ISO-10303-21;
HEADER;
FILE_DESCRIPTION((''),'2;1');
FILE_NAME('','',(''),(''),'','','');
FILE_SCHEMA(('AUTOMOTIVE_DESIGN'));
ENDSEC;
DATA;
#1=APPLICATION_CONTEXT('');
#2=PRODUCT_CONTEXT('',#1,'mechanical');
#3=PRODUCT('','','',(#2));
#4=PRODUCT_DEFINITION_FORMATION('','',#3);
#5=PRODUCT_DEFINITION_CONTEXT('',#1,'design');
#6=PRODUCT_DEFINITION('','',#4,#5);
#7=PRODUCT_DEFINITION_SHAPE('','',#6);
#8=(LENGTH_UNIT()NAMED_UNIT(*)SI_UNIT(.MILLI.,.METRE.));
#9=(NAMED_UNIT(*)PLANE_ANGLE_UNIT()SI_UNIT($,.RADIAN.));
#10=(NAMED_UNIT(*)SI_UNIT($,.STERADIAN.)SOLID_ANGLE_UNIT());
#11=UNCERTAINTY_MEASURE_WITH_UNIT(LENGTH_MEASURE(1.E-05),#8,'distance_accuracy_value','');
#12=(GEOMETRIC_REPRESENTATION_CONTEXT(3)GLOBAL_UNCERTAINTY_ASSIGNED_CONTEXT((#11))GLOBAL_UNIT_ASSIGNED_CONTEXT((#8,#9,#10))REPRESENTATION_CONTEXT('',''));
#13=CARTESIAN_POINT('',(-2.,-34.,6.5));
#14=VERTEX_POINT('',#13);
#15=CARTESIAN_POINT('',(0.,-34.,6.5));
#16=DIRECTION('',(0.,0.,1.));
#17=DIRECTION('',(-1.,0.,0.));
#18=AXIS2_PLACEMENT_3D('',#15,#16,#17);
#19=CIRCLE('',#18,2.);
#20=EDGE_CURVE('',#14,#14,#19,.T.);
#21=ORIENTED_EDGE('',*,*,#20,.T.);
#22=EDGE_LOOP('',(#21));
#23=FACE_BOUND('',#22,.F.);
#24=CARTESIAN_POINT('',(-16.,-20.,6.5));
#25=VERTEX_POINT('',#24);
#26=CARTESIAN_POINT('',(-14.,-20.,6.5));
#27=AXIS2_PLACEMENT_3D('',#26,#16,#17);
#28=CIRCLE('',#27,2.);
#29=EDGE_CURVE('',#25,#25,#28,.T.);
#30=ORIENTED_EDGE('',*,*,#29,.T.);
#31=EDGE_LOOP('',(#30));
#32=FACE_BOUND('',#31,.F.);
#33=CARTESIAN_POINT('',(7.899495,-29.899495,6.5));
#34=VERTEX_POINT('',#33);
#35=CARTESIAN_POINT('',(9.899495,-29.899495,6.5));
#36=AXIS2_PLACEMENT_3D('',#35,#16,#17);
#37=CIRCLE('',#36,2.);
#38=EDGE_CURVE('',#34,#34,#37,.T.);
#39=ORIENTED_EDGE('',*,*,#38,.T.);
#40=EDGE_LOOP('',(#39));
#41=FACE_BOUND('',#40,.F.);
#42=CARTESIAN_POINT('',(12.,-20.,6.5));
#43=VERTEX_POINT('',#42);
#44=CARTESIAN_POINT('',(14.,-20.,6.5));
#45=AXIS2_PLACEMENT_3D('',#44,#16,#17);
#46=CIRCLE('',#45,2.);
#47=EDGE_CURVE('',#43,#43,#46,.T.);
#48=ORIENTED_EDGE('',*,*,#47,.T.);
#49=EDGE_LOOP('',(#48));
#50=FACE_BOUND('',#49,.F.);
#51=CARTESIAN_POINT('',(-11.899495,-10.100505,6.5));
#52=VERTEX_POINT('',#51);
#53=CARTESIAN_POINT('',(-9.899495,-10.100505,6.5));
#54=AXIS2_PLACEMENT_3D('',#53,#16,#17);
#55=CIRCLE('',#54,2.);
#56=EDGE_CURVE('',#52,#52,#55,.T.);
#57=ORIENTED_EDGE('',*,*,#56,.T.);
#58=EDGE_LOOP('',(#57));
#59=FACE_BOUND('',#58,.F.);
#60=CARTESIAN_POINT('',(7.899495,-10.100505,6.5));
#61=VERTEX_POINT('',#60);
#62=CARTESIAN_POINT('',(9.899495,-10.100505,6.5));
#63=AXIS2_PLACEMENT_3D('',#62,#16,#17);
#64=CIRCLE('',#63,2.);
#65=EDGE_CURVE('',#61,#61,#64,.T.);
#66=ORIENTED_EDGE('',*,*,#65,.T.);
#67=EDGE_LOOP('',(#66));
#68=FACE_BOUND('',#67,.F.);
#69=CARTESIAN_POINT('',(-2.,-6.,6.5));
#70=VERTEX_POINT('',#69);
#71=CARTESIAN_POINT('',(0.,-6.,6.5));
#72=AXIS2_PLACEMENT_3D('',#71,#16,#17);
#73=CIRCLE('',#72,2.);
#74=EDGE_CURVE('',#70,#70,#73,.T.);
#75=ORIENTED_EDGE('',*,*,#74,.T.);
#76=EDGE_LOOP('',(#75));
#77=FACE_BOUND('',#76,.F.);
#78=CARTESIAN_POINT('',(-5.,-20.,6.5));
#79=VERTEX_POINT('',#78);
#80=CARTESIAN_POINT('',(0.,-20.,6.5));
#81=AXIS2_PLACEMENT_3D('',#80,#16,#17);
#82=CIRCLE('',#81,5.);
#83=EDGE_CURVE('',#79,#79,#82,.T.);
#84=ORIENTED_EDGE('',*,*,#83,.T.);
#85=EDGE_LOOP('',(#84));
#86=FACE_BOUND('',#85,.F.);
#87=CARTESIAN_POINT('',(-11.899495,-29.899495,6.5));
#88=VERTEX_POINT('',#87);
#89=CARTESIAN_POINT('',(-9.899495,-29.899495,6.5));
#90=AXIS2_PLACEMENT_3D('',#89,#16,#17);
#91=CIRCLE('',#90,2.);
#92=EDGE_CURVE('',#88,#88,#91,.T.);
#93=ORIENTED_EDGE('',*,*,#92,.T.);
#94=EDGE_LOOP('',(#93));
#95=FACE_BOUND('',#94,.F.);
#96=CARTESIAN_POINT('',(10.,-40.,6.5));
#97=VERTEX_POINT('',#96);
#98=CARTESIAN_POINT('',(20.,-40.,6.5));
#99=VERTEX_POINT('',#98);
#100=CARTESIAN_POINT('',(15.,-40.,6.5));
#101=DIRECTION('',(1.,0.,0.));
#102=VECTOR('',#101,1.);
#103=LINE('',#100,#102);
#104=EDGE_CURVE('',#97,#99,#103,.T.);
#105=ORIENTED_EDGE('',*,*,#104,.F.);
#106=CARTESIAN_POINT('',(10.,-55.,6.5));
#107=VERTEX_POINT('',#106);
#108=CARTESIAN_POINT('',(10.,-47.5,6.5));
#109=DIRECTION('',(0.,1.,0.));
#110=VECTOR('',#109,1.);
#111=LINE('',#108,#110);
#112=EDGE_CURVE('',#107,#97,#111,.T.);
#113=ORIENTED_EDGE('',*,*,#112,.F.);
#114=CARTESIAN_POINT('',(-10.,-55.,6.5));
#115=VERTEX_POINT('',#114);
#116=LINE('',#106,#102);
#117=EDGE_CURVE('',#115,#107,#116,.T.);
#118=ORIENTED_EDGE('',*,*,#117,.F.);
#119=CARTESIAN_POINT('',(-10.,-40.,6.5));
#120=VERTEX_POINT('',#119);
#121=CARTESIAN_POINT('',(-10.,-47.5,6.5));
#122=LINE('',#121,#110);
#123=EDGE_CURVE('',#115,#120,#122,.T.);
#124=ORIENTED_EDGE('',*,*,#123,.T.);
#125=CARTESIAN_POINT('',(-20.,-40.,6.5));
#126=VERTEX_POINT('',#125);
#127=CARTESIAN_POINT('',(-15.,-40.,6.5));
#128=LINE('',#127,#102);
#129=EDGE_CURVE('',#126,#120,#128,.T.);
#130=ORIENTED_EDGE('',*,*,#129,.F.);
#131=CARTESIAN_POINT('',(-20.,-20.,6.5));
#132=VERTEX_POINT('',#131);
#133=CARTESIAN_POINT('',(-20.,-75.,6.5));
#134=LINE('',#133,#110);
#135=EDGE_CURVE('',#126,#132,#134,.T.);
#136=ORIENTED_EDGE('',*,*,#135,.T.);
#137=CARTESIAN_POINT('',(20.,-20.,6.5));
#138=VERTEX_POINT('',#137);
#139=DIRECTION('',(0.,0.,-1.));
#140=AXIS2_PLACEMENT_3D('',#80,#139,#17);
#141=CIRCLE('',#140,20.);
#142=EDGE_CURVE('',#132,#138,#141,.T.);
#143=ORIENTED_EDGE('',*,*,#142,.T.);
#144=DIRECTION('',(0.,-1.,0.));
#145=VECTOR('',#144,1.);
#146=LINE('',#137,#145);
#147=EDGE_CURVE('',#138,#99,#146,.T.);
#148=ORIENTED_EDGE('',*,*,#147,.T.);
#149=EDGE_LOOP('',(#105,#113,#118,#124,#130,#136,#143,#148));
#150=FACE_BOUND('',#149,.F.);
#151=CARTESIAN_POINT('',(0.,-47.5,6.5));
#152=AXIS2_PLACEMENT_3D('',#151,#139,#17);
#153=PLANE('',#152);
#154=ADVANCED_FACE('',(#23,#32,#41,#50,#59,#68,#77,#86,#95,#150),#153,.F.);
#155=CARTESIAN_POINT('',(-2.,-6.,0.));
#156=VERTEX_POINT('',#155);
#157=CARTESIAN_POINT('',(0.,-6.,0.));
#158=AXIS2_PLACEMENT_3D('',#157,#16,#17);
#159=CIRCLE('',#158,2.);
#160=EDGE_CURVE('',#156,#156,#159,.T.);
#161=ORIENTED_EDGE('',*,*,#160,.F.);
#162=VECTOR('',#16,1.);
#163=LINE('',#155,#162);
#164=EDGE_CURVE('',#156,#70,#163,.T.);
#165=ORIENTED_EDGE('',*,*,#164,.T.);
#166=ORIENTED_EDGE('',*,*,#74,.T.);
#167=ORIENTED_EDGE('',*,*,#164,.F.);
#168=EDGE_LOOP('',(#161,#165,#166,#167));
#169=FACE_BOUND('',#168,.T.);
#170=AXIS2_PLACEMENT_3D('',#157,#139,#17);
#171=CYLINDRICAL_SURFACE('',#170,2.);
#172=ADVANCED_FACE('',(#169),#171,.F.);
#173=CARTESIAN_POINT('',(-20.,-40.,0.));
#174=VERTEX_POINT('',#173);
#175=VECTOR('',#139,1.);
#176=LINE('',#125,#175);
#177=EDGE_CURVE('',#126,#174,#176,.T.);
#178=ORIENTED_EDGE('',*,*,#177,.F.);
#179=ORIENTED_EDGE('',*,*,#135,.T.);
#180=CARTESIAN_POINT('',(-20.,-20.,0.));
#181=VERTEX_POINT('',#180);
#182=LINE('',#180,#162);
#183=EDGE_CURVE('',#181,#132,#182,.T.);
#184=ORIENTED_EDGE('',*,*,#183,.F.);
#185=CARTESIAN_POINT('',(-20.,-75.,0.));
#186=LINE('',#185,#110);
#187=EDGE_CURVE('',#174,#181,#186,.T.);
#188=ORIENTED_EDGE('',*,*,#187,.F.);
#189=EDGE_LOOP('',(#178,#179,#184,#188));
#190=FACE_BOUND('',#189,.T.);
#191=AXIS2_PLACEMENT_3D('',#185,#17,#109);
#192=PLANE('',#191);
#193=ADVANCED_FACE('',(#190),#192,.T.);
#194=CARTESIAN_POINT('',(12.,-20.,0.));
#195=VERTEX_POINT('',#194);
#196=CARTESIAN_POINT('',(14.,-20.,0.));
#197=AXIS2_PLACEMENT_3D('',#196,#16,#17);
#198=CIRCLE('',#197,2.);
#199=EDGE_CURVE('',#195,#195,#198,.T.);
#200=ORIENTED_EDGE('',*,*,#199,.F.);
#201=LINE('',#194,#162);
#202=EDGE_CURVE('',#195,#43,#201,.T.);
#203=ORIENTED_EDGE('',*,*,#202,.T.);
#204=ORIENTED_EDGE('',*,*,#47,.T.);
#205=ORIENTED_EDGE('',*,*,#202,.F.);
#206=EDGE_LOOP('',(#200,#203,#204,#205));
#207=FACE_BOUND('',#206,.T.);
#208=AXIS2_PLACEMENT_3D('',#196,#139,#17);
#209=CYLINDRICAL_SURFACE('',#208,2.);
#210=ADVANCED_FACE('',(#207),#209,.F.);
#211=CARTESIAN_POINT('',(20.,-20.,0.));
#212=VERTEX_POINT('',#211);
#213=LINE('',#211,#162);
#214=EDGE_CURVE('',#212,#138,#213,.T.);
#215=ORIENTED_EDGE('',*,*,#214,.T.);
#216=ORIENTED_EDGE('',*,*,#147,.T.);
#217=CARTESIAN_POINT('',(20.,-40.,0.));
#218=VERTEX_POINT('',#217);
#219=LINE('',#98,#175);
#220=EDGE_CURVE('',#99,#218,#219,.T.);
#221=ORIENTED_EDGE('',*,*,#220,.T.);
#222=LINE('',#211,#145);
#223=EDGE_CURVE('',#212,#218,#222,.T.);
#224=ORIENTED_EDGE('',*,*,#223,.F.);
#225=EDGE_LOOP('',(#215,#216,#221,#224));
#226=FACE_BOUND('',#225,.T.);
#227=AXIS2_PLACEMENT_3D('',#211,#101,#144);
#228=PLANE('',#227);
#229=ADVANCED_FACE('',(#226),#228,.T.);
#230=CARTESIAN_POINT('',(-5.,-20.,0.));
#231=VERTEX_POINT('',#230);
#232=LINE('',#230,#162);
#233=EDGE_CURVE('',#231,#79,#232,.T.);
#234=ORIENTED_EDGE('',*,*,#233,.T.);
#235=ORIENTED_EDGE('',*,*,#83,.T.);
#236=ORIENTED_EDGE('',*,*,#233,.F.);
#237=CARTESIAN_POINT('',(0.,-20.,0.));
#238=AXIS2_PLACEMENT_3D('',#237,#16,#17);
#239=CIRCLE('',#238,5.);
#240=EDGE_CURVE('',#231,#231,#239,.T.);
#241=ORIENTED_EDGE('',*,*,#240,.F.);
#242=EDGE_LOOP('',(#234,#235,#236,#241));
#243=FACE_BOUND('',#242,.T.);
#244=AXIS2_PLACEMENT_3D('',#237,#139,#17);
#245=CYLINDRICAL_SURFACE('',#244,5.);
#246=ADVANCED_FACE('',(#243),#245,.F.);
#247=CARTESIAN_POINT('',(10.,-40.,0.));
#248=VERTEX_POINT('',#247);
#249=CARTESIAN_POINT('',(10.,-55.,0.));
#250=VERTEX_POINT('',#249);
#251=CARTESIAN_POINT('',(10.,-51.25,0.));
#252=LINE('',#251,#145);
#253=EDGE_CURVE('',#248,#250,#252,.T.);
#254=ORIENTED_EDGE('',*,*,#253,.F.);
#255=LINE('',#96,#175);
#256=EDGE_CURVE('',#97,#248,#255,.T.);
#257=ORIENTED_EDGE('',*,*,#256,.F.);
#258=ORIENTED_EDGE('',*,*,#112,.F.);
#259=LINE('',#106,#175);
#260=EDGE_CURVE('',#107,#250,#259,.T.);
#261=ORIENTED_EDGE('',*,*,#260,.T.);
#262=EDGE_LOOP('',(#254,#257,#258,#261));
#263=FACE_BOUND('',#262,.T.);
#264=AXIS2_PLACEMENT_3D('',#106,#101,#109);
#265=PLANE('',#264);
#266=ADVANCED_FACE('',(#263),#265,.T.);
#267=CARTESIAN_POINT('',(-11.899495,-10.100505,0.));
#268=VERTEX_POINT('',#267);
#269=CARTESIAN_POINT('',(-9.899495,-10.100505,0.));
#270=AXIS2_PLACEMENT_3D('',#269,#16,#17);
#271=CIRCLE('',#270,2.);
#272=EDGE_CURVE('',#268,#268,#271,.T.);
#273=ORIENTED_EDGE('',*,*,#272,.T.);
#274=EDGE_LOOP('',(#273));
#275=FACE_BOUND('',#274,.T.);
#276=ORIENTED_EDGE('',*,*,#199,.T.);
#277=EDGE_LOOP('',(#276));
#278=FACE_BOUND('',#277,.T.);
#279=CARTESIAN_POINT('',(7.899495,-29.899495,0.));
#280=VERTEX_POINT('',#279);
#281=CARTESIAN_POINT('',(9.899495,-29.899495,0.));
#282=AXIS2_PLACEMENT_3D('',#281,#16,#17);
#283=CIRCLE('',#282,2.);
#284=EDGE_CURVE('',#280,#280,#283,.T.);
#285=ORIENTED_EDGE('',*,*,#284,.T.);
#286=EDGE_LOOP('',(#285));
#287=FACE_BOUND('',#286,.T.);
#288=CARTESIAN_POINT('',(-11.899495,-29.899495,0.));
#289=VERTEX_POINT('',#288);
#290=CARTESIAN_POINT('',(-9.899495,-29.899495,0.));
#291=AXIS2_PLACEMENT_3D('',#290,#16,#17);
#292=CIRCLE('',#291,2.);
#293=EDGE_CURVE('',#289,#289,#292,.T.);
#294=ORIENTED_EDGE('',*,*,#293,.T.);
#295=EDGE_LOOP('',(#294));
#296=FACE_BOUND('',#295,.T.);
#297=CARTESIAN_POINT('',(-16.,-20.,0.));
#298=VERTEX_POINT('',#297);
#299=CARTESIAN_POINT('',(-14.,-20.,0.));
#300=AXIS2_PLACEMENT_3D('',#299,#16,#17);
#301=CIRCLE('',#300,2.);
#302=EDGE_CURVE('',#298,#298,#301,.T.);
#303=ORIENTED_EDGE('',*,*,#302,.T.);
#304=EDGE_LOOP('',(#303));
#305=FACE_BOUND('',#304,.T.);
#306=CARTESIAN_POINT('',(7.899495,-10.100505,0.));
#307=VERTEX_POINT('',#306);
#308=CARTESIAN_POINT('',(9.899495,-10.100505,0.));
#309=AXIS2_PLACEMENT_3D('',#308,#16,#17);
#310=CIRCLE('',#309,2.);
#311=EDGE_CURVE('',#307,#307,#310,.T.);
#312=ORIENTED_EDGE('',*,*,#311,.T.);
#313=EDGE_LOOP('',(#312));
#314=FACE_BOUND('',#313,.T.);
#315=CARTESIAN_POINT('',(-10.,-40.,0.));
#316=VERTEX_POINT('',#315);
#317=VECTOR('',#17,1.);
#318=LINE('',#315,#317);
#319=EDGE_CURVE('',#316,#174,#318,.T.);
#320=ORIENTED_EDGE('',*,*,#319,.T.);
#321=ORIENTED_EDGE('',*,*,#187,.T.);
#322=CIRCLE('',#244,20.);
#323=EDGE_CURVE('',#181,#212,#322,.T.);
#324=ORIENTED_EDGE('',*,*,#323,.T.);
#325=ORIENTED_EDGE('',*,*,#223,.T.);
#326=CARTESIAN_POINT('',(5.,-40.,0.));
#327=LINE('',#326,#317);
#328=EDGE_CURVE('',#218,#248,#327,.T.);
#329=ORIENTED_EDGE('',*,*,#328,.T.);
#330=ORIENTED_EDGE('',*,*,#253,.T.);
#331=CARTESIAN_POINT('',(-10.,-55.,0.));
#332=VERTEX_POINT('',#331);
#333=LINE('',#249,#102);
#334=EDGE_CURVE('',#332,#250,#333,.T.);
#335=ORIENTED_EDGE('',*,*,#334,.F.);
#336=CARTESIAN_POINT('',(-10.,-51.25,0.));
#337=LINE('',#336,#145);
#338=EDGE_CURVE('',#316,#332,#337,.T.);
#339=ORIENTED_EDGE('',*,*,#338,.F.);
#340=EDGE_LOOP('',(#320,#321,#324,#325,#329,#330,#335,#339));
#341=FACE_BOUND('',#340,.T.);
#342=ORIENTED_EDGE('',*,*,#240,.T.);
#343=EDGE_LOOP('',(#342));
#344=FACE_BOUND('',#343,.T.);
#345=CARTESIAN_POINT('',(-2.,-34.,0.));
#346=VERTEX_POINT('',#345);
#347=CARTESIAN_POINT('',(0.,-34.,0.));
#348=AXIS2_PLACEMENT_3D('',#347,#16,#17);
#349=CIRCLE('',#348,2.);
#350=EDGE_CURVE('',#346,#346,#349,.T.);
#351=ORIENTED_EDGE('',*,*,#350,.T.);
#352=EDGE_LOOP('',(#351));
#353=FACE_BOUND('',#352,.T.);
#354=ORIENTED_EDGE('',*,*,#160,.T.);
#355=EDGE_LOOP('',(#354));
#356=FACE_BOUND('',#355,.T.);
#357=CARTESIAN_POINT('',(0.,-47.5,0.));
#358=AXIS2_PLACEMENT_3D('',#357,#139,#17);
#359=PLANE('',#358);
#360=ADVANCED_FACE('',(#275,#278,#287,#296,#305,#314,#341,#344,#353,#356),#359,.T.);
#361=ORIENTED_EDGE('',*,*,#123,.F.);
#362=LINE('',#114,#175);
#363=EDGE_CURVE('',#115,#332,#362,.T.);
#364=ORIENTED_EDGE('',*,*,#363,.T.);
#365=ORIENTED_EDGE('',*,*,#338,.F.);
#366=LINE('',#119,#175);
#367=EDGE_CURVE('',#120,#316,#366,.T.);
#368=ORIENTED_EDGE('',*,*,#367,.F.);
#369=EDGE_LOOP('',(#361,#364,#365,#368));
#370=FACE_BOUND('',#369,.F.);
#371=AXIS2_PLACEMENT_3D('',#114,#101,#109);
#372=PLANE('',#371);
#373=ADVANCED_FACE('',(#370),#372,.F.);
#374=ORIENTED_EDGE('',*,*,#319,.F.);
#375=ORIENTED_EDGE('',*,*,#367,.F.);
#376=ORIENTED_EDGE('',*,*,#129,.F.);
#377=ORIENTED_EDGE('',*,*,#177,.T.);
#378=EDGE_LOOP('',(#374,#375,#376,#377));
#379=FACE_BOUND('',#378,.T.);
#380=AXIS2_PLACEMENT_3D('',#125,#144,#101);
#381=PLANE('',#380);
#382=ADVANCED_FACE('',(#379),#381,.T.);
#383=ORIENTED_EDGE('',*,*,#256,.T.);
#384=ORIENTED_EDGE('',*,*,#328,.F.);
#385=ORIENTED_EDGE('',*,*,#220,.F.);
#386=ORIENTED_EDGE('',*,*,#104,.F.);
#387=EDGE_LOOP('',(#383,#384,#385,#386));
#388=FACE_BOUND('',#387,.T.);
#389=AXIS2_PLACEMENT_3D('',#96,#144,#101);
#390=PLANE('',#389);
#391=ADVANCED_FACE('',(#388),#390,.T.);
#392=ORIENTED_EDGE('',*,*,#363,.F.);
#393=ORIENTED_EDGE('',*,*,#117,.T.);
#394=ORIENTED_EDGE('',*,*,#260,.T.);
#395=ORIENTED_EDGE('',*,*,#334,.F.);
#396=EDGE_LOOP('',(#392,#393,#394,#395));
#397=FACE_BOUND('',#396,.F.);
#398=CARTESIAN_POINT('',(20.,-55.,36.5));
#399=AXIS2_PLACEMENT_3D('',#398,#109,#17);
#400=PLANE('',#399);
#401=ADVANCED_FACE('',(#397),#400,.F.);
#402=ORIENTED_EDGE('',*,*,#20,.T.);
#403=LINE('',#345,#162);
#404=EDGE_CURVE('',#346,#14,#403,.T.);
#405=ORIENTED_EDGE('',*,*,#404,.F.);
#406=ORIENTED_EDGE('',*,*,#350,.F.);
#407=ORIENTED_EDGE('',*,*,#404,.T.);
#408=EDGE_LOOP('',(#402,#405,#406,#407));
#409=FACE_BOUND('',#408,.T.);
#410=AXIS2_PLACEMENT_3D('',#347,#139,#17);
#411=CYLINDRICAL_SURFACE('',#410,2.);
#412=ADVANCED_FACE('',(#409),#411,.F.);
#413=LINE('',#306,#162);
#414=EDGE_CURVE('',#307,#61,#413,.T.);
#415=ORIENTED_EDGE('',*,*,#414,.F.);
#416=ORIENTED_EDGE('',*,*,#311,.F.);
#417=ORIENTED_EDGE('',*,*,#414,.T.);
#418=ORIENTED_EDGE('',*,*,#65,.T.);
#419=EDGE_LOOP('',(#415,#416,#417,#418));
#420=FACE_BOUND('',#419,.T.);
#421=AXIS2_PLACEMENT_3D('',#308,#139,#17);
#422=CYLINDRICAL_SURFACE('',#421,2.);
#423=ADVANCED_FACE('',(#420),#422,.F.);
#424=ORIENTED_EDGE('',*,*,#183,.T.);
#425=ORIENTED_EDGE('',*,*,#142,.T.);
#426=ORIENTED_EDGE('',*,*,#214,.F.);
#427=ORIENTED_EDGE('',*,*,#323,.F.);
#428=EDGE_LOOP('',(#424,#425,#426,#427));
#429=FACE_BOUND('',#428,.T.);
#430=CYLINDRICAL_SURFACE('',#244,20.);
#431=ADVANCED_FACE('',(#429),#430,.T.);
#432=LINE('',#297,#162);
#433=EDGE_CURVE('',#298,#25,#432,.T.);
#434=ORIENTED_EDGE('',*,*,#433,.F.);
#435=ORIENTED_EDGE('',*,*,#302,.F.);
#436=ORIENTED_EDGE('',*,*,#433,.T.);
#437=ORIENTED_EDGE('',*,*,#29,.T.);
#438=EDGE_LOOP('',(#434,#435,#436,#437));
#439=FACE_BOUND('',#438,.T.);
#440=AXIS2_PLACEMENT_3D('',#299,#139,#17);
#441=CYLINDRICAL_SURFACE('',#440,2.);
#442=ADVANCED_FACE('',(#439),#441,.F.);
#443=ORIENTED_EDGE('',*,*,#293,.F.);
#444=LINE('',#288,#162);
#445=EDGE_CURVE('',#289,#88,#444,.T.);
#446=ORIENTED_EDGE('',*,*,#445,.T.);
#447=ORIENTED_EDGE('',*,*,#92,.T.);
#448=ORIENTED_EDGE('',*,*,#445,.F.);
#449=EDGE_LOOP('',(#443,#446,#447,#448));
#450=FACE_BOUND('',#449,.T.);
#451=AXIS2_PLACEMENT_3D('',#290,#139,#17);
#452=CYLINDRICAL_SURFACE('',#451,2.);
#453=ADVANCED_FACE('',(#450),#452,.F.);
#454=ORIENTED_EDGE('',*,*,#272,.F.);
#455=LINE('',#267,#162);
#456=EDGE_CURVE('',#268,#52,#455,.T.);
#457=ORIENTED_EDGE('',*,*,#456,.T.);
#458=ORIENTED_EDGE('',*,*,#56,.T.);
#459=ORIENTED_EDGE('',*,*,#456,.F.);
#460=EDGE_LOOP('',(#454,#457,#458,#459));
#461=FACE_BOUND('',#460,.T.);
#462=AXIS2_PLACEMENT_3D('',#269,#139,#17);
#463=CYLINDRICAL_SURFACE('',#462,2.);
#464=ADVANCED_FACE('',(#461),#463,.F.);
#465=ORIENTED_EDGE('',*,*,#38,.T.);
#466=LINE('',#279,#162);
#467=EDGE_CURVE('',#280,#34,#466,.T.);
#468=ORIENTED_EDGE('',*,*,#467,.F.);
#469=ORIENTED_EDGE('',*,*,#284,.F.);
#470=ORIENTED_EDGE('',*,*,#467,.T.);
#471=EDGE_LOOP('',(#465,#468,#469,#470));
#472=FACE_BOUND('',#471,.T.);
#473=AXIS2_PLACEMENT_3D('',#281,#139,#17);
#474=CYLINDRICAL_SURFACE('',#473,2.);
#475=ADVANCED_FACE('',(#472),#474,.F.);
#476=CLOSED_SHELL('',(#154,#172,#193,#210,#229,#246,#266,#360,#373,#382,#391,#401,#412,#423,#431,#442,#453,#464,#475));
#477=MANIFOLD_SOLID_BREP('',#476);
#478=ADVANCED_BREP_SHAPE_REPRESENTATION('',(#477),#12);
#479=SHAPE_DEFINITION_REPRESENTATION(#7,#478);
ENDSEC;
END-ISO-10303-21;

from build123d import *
from build123d.topology import SkipClean

# Parameters (mm, degrees)
ESQUISSE1_R           = 15
ESQUISSE1_R_2         = 5
ESQUISSE1_R_3         = 2
EXTRUSION1_DEPTH      = 6.5
ESQUISSE2_R           = 9
ESQUISSE2_R_2         = 1.5
EXTRUSION2_DEPTH      = 30
ESQUISSE3_R           = 15
EXTRUSION3_DEPTH      = 27
EXTRUSION4_DEPTH      = 104.717163478
EXTRUSION4_DEPTH_BACK = 104.717163478
EXTRUSION5_DEPTH      = 104.717163478
ESQUISSE6_W           = 10
ESQUISSE6_H           = 15
EXTRUSION6_DEPTH      = 59.883359279


with BuildPart() as part:
    # Esquisse1 → Extrusion1 (new body)
    with BuildSketch(Plane.XY):
        with BuildLine():
            Line((20, -20), (20, -75))
            ThreePointArc((20, -75), (0, -95), (-20, -75))
            Line((-20, -75), (-20, -20))
            ThreePointArc((-20, -20), (0, 0), (20, -20))
        make_face()
        with Locations(Location((0, -75, 0), (0, 0, 180))):
            Circle(ESQUISSE1_R, mode=Mode.SUBTRACT)
        with Locations(Location((0, -20, 0), (0, 0, 180))):
            Circle(ESQUISSE1_R_2, mode=Mode.SUBTRACT)
        with Locations(Location((-14, -20, 0), (0, 0, 180))):
            Circle(ESQUISSE1_R_3, mode=Mode.SUBTRACT)
        with Locations(Location((-9.899494937, -10.100505063, 0), (0, 0, 180))):
            Circle(ESQUISSE1_R_3, mode=Mode.SUBTRACT)
        with Locations(Location((0, -6, 0), (0, 0, 180))):
            Circle(ESQUISSE1_R_3, mode=Mode.SUBTRACT)
        with Locations(Location((9.899494937, -10.100505063, 0), (0, 0, 180))):
            Circle(ESQUISSE1_R_3, mode=Mode.SUBTRACT)
        with Locations(Location((14, -20, 0), (0, 0, 180))):
            Circle(ESQUISSE1_R_3, mode=Mode.SUBTRACT)
        with Locations(Location((9.899494937, -29.899494937, 0), (0, 0, 180))):
            Circle(ESQUISSE1_R_3, mode=Mode.SUBTRACT)
        with Locations(Location((0, -34, 0), (0, 0, 180))):
            Circle(ESQUISSE1_R_3, mode=Mode.SUBTRACT)
        with Locations(Location((-9.899494937, -29.899494937, 0), (0, 0, 180))):
            Circle(ESQUISSE1_R_3, mode=Mode.SUBTRACT)
    extrude(amount=EXTRUSION1_DEPTH)

    # Esquisse2 → Extrusion2 (add)
    with SkipClean():  # the faces are left unmerged after this step: merging them gives an invalid solid
        with BuildSketch(Plane.XY.offset(6.5)):
            with BuildLine():
                Line((12, -59), (-12, -59))
                ThreePointArc((-12, -59), (0, -95), (12, -59))
            make_face()
            with Locations((0, -75)):
                Circle(ESQUISSE2_R, mode=Mode.SUBTRACT)
            with Locations((0, -62)):
                Circle(ESQUISSE2_R_2, mode=Mode.SUBTRACT)
            with Locations((0, -88)):
                Circle(ESQUISSE2_R_2, mode=Mode.SUBTRACT)
            with Locations((-13, -75)):
                Circle(ESQUISSE2_R_2, mode=Mode.SUBTRACT)
            with Locations((13, -75)):
                Circle(ESQUISSE2_R_2, mode=Mode.SUBTRACT)
        extrude(amount=EXTRUSION2_DEPTH)

    # Esquisse3 → Extrusion3 (cut)
    with SkipClean():  # the faces are left unmerged after this step: merging them gives an invalid solid
        with BuildSketch(Plane(origin=(0, 0, 6.5), x_dir=(-1, 0, 0), z_dir=(0, 0, -1))):
            with Locations((0, -75)):
                Circle(ESQUISSE3_R)
        extrude(amount=-EXTRUSION3_DEPTH, mode=Mode.SUBTRACT)

    # Esquisse4 → Extrusion4 (cut, two sides: drawn at the far end of the back side and taken through both)
    with SkipClean():  # the faces are left unmerged after this step: merging them gives an invalid solid
        with BuildSketch(Plane(origin=(0, 0, 0), x_dir=(0, 0, -1), z_dir=(1, 0, 0)).offset(-EXTRUSION4_DEPTH_BACK)):
            Polygon((-36.5, -95), (-30, -95), (-36.5, -90), align=None)
        extrude(amount=EXTRUSION4_DEPTH + EXTRUSION4_DEPTH_BACK, mode=Mode.SUBTRACT)

    # Esquisse5 → Extrusion5 (cut, through all)
    with BuildSketch(Plane.XY.offset(36.5)):
        with BuildLine():
            Line((20, -55), (-20, -55))
            Line((-20, -55), (-20, -75))
            ThreePointArc((-20, -75), (0, -95), (20, -75))
            Line((20, -75), (20, -55))
        make_face()
    extrude(amount=-EXTRUSION5_DEPTH, mode=Mode.SUBTRACT)

    # Esquisse6 → Extrusion6 (cut, through all)
    with BuildSketch(Plane.XY.offset(6.5)):
        with Locations((-15, -47.5)):
            Rectangle(ESQUISSE6_W, ESQUISSE6_H)
        with Locations((15, -47.5)):
            Rectangle(ESQUISSE6_W, ESQUISSE6_H)
    extrude(amount=-EXTRUSION6_DEPTH, mode=Mode.SUBTRACT)


solid = part.part
